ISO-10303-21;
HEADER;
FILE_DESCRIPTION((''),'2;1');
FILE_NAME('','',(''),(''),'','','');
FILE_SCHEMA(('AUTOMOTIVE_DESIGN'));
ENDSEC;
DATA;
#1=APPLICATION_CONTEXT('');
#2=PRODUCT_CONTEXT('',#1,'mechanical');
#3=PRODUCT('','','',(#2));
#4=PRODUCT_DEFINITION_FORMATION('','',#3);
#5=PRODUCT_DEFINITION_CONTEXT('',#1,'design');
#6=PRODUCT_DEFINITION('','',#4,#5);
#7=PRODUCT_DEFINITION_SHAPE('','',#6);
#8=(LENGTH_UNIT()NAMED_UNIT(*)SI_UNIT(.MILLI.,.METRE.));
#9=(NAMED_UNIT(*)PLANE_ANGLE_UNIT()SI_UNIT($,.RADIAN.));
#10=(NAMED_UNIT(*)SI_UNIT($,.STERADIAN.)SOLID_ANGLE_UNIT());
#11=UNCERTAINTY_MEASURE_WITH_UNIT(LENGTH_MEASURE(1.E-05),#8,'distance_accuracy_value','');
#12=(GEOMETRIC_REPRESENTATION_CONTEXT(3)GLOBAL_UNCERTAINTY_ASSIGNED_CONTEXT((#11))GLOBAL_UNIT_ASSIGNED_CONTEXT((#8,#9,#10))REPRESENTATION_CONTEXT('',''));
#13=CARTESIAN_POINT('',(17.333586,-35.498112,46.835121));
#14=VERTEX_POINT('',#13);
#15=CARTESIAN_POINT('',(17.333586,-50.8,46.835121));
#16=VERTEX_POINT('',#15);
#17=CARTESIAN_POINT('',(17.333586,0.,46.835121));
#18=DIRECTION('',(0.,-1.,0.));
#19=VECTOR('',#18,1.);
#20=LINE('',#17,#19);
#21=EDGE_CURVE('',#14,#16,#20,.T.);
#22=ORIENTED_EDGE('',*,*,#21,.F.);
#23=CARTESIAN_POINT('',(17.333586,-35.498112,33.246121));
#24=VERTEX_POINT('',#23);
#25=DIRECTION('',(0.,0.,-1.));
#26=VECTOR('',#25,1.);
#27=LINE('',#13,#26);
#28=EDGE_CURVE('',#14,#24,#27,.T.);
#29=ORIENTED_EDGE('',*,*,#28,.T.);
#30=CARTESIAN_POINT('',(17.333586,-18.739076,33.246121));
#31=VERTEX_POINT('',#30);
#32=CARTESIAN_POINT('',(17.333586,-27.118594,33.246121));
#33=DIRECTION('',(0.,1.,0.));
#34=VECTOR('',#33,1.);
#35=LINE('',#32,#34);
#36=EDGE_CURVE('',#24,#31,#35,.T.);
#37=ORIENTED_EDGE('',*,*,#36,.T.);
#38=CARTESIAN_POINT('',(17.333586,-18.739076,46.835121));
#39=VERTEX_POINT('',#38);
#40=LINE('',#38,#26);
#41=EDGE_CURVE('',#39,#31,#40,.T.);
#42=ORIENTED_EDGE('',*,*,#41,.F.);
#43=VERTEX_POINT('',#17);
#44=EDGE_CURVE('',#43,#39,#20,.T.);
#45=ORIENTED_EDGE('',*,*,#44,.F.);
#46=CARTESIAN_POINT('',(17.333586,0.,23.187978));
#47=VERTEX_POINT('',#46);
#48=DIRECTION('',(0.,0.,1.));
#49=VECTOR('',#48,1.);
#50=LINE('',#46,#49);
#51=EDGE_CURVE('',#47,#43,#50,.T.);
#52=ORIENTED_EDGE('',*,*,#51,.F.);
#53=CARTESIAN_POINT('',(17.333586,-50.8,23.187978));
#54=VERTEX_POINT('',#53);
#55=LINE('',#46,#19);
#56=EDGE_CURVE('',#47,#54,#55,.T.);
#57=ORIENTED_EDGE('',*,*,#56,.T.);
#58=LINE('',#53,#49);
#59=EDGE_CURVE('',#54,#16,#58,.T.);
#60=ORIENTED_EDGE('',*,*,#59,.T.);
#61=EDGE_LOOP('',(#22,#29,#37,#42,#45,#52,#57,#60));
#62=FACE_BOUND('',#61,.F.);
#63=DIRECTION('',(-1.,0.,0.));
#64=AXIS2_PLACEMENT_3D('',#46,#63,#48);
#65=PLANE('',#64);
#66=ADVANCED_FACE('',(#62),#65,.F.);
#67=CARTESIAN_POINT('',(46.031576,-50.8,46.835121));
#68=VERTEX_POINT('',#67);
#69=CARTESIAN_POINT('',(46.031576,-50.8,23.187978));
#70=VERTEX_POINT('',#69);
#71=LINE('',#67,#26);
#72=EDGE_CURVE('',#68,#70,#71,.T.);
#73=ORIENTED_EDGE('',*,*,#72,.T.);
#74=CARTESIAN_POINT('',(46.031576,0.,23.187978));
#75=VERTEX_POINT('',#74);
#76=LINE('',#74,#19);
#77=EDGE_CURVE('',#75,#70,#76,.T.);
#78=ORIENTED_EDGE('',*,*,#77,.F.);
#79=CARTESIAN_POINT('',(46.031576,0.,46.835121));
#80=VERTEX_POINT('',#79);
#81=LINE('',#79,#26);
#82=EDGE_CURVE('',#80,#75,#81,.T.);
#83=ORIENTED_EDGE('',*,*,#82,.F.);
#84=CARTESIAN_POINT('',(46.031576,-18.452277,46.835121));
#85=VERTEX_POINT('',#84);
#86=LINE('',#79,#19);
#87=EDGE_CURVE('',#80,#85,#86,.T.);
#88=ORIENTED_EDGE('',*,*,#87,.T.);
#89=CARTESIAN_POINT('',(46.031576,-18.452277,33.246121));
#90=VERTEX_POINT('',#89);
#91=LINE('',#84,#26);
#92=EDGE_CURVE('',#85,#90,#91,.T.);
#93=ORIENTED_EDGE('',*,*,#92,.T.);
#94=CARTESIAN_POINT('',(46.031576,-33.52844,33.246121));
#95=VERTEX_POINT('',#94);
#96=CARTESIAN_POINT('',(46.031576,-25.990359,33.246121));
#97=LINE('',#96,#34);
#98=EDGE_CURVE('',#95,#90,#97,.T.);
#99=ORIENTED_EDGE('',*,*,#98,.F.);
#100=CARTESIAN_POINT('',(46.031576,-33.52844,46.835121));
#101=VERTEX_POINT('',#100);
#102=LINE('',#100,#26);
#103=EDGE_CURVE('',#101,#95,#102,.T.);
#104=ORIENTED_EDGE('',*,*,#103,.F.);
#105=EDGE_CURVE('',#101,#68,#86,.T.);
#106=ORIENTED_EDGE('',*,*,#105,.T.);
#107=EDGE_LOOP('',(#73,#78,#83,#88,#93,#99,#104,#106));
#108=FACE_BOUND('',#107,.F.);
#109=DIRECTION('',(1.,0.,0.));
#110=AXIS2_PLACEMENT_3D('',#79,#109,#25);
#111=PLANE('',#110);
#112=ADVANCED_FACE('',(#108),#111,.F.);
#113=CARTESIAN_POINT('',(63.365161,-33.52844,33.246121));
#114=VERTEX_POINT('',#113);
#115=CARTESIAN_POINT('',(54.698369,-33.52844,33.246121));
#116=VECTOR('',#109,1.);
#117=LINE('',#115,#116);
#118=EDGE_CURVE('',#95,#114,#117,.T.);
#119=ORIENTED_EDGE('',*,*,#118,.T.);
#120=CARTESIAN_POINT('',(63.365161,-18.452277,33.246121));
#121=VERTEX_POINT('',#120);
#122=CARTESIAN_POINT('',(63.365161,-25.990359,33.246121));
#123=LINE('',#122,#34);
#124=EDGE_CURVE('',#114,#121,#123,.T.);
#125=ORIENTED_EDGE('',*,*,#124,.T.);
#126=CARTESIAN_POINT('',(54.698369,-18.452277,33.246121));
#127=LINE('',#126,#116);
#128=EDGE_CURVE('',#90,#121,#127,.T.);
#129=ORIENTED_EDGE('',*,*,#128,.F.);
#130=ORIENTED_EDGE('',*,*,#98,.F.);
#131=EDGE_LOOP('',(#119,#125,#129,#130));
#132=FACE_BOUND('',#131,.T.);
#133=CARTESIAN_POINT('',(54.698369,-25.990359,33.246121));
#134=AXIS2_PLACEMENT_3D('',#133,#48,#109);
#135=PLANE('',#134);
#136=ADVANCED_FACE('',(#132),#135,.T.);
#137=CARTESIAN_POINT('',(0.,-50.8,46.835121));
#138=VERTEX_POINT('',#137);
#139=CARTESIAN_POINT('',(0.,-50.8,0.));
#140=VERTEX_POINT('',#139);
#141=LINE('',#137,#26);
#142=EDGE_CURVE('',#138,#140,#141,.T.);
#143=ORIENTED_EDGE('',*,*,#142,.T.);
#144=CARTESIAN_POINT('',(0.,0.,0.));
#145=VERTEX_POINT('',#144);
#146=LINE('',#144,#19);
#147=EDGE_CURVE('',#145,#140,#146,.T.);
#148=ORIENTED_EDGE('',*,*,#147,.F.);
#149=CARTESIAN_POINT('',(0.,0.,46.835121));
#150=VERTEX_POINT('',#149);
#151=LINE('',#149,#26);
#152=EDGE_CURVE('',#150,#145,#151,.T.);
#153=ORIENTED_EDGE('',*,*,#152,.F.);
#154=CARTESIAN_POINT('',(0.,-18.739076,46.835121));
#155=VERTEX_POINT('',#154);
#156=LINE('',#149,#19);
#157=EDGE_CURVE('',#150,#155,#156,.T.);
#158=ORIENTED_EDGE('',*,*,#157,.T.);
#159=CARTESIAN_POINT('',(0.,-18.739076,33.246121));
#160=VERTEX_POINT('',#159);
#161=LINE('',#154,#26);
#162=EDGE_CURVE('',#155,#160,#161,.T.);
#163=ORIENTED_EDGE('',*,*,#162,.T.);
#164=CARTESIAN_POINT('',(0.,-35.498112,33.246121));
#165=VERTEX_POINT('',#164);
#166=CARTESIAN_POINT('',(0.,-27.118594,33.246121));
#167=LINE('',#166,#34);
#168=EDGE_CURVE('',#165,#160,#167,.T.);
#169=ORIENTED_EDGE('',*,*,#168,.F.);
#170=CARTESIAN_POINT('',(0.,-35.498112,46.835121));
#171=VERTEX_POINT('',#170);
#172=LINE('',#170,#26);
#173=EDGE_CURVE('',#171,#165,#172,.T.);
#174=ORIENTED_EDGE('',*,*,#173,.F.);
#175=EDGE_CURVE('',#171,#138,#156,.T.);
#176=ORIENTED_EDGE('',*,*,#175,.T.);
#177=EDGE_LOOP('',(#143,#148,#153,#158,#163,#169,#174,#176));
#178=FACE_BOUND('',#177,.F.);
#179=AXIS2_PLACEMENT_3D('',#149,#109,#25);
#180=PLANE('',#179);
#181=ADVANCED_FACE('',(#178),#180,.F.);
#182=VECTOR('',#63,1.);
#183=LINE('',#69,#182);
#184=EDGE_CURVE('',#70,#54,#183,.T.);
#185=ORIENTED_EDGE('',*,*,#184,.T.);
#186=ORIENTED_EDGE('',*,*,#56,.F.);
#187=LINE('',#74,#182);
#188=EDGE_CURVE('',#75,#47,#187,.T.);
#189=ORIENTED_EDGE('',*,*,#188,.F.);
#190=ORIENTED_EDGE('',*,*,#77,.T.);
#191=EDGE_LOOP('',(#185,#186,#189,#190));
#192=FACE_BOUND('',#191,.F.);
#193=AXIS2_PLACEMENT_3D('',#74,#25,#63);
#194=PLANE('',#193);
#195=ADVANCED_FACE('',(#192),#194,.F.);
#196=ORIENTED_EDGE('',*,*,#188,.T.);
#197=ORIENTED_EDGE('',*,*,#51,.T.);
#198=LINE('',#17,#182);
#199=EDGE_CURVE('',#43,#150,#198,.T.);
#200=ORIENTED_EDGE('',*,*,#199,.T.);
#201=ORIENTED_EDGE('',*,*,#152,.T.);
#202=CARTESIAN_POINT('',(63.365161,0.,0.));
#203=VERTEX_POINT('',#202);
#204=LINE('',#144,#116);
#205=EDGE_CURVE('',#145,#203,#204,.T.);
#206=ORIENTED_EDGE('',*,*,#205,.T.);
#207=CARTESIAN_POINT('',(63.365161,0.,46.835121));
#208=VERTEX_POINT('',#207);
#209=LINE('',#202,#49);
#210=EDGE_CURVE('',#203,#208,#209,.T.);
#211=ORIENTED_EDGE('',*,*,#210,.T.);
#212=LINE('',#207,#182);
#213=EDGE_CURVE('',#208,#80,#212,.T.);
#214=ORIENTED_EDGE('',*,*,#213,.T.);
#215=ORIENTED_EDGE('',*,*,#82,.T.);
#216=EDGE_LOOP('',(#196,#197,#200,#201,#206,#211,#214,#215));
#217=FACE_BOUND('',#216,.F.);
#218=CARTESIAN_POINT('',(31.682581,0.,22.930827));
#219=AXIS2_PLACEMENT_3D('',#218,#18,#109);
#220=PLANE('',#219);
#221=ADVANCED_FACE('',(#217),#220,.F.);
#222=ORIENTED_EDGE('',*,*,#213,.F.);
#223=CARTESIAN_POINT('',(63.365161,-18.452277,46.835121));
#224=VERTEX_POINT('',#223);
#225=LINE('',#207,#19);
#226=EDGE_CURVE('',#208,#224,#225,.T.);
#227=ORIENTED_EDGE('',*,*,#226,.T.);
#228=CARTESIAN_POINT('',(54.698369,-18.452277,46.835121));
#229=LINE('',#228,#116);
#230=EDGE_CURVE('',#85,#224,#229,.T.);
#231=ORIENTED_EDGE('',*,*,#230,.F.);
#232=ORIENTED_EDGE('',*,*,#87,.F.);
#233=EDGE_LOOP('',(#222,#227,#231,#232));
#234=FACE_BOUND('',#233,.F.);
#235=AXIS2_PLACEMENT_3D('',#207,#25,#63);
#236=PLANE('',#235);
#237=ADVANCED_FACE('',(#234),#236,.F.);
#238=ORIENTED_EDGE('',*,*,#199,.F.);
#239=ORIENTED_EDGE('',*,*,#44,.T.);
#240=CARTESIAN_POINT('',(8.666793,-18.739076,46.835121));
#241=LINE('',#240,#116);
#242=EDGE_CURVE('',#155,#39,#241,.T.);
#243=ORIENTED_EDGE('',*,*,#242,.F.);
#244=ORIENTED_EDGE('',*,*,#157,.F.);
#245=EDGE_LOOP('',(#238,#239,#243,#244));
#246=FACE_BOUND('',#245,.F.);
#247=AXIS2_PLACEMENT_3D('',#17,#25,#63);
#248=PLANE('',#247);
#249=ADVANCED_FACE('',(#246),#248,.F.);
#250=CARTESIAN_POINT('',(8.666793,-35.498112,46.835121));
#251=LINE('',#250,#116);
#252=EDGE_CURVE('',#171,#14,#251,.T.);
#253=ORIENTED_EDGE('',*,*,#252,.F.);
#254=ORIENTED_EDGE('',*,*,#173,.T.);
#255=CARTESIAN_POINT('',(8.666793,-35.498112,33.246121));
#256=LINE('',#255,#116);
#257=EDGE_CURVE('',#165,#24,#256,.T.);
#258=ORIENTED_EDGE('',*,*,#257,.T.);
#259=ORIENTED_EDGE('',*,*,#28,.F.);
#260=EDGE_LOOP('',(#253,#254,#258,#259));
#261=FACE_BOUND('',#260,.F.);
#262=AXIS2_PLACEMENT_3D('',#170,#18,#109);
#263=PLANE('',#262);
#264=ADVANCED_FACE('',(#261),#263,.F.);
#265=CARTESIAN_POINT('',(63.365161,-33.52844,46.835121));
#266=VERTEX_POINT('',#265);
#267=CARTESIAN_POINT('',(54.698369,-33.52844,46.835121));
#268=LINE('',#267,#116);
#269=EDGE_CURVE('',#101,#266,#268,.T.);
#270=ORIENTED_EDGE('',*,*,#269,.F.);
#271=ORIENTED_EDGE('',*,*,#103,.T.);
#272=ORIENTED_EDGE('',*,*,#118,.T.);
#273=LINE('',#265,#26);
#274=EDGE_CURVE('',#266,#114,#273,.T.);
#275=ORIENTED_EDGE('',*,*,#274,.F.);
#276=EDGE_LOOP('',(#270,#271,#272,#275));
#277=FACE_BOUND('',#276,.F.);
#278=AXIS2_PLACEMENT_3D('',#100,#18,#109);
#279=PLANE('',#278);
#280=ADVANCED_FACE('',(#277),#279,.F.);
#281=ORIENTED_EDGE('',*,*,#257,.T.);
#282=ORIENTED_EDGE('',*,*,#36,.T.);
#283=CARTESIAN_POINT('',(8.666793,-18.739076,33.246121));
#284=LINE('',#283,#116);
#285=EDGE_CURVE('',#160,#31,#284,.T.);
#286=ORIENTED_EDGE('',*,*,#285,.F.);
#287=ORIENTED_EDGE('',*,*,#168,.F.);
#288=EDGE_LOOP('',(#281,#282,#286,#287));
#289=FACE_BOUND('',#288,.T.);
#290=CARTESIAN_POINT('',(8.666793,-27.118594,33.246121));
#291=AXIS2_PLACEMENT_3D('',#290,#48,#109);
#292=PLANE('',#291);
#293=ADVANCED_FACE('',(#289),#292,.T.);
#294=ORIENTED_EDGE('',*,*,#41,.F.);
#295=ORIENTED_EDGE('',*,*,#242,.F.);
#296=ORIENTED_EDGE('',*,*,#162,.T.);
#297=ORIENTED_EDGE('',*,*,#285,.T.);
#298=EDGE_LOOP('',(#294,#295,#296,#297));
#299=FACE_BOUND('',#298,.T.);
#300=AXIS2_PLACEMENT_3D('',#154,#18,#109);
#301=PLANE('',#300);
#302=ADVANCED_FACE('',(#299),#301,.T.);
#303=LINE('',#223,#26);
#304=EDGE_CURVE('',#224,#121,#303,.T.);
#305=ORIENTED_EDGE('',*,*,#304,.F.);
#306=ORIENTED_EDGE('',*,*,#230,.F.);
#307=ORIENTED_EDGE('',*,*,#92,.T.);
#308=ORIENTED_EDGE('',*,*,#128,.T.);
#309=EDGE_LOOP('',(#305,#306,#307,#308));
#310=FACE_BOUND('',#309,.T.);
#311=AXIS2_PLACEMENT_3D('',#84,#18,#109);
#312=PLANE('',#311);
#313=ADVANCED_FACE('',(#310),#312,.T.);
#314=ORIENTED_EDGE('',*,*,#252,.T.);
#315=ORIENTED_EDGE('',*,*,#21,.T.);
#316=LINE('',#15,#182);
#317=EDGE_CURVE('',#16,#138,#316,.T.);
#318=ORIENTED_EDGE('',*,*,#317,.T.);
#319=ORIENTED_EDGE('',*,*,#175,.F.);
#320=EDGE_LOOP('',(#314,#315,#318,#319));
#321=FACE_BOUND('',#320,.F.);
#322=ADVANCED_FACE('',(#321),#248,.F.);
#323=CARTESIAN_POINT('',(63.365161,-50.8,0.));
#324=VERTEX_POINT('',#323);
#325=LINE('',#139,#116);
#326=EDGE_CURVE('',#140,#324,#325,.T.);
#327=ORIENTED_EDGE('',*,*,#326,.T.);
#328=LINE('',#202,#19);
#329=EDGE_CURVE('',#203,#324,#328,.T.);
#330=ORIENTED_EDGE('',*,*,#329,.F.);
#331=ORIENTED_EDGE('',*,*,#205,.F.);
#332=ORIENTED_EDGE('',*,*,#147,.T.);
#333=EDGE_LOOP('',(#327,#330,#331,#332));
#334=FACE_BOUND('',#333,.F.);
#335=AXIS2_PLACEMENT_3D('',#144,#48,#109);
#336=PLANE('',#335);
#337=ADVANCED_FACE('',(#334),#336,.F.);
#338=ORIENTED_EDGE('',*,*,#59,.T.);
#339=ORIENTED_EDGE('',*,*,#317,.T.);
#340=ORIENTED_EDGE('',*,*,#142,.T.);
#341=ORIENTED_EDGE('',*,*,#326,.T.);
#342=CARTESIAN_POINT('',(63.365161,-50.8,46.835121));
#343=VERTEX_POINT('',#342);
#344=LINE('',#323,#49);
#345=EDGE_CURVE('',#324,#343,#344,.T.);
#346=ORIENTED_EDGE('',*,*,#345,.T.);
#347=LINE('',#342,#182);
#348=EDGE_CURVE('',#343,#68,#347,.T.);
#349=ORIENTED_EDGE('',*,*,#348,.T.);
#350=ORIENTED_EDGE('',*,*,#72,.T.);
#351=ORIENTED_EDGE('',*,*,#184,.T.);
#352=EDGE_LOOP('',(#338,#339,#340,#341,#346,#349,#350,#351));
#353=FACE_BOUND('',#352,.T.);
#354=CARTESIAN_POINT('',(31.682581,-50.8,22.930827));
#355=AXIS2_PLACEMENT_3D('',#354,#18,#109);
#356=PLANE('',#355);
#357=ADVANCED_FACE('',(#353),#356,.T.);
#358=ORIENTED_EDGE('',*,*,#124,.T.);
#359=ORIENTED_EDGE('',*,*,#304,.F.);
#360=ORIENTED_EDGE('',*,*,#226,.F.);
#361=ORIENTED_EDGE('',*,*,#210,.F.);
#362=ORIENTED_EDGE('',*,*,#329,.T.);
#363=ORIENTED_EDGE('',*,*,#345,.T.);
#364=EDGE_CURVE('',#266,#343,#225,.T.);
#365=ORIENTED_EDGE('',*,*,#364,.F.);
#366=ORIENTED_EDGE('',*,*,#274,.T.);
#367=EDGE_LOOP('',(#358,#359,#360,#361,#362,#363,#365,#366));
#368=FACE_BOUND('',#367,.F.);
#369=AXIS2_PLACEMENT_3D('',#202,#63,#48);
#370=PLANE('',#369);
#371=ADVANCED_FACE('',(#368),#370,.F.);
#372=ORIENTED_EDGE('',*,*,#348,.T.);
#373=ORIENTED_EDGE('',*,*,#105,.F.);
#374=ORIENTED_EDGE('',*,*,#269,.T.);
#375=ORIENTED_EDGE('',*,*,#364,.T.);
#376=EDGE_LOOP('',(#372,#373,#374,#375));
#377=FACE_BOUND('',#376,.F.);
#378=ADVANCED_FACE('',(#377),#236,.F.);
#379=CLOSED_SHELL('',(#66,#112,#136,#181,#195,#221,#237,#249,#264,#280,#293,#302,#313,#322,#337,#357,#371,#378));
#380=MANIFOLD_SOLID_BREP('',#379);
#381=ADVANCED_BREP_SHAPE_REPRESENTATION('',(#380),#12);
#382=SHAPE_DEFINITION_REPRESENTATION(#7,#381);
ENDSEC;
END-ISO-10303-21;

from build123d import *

# Parameters (mm, degrees)
F1_DEPTH = 50.8
F2_W     = 17.3335857689
F2_H     = 15.0761622936
F3_DEPTH = 13.589
F4_W     = 17.3335857689
F4_H     = 16.7590361089
F5_DEPTH = 13.589


with BuildPart() as f1:
    # F0 (on Front) → F1 (new body)
    with BuildSketch(Plane.XZ):
        Polygon((0, 46.8351207674), (0, 0), (63.3651614189, 0), (63.3651614189, 46.8351207674), (46.03157565, 46.8351207674), (46.03157565, 23.1879781932), (17.3335857689, 23.1879781932), (17.3335857689, 46.8351207674), align=None)
    extrude(amount=F1_DEPTH)

    # F2 (on face) → F3 (cut)
    with BuildSketch(Plane.XY.offset(46.8351207674)):
        with Locations((54.6983685344, -25.9903585538)):
            Rectangle(F2_W, F2_H)
    extrude(amount=-F3_DEPTH, mode=Mode.SUBTRACT)

    # F4 (on face) → F5 (cut)
    with BuildSketch(Plane.XY.offset(46.8351207674)):
        with Locations((8.6667928845, -27.1185943857)):
            Rectangle(F4_W, F4_H)
    extrude(amount=-F5_DEPTH, mode=Mode.SUBTRACT)


solid = f1.part
